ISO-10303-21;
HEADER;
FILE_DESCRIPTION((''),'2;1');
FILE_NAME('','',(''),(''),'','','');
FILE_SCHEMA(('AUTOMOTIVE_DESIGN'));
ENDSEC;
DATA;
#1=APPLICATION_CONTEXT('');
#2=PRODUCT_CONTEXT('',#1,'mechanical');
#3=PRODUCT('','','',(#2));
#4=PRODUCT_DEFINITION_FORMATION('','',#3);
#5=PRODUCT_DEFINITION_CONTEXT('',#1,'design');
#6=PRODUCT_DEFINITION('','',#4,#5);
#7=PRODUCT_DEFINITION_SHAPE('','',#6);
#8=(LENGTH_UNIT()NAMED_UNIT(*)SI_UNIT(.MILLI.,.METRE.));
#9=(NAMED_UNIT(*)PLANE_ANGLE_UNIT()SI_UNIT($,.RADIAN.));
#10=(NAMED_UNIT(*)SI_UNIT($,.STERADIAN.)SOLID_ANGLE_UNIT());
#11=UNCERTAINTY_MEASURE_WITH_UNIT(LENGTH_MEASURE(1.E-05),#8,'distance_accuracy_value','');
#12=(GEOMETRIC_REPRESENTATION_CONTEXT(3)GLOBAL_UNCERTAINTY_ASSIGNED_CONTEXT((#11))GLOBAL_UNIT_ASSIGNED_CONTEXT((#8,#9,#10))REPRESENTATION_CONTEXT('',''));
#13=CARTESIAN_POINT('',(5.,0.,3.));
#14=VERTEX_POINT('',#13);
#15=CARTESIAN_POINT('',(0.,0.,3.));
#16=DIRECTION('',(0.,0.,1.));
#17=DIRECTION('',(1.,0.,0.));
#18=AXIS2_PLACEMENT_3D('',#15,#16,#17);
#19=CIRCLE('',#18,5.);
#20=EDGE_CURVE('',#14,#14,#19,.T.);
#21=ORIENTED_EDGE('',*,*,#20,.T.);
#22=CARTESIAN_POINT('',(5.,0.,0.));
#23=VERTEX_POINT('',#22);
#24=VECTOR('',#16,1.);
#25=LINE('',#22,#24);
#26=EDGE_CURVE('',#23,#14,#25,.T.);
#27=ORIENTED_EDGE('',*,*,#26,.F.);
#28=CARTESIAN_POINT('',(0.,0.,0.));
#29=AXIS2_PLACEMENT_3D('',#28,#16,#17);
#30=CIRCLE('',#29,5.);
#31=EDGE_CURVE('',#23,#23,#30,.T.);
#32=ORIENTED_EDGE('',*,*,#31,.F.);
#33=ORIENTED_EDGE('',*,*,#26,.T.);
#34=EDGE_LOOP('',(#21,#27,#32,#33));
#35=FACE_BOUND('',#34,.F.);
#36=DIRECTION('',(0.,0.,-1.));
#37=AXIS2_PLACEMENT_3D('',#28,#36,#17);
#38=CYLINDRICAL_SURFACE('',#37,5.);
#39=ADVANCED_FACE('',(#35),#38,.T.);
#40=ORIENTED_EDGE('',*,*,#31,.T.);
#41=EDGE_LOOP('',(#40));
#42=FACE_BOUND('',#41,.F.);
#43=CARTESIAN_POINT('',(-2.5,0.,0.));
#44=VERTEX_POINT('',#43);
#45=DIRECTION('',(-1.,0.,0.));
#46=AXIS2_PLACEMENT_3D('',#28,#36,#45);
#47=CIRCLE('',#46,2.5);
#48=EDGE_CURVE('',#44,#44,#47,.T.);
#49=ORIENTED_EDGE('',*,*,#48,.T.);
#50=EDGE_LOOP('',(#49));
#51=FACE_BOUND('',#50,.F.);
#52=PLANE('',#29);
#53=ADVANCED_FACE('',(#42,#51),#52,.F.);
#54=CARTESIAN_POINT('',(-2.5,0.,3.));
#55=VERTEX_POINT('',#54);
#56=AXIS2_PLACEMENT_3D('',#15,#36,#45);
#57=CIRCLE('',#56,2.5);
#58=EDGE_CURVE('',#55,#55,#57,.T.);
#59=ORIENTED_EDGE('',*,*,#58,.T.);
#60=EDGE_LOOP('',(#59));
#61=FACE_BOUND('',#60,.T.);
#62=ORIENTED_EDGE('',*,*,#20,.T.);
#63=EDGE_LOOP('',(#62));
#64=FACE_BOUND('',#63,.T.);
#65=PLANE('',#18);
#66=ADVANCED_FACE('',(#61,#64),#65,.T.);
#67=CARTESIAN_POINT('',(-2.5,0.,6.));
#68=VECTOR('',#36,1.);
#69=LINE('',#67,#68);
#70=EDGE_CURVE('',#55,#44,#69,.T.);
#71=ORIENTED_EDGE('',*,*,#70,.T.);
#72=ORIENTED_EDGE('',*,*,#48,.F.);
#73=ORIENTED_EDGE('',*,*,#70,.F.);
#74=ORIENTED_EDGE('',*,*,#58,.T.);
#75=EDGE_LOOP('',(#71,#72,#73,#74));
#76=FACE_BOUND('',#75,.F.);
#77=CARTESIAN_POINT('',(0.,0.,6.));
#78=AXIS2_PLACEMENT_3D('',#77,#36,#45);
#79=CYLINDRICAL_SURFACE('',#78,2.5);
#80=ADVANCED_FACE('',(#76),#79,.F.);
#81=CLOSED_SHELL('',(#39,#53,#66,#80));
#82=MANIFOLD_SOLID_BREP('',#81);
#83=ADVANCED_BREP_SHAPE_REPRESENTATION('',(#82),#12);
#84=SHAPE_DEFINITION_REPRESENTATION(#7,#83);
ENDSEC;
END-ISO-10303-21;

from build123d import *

# Parameters (mm, degrees)
SKETCH1_R                 = 5
BOSS_EXTRUDE1_DEPTH       = 3
F_5_0MM_DOWEL_HOLE1_D     = 5
F_5_0MM_DOWEL_HOLE1_DEPTH = 3


with BuildPart() as part:
    # Sketch1 → Boss-Extrude1 (new body)
    with BuildSketch(Plane.XY):
        Circle(SKETCH1_R)
    extrude(amount=BOSS_EXTRUDE1_DEPTH)

    # Ø5.0mm Dowel Hole1
    with Locations(Plane.XY.offset(3)):
        with Locations((0, 0)):
            Hole(F_5_0MM_DOWEL_HOLE1_D / 2, depth=F_5_0MM_DOWEL_HOLE1_DEPTH)


solid = part.part
